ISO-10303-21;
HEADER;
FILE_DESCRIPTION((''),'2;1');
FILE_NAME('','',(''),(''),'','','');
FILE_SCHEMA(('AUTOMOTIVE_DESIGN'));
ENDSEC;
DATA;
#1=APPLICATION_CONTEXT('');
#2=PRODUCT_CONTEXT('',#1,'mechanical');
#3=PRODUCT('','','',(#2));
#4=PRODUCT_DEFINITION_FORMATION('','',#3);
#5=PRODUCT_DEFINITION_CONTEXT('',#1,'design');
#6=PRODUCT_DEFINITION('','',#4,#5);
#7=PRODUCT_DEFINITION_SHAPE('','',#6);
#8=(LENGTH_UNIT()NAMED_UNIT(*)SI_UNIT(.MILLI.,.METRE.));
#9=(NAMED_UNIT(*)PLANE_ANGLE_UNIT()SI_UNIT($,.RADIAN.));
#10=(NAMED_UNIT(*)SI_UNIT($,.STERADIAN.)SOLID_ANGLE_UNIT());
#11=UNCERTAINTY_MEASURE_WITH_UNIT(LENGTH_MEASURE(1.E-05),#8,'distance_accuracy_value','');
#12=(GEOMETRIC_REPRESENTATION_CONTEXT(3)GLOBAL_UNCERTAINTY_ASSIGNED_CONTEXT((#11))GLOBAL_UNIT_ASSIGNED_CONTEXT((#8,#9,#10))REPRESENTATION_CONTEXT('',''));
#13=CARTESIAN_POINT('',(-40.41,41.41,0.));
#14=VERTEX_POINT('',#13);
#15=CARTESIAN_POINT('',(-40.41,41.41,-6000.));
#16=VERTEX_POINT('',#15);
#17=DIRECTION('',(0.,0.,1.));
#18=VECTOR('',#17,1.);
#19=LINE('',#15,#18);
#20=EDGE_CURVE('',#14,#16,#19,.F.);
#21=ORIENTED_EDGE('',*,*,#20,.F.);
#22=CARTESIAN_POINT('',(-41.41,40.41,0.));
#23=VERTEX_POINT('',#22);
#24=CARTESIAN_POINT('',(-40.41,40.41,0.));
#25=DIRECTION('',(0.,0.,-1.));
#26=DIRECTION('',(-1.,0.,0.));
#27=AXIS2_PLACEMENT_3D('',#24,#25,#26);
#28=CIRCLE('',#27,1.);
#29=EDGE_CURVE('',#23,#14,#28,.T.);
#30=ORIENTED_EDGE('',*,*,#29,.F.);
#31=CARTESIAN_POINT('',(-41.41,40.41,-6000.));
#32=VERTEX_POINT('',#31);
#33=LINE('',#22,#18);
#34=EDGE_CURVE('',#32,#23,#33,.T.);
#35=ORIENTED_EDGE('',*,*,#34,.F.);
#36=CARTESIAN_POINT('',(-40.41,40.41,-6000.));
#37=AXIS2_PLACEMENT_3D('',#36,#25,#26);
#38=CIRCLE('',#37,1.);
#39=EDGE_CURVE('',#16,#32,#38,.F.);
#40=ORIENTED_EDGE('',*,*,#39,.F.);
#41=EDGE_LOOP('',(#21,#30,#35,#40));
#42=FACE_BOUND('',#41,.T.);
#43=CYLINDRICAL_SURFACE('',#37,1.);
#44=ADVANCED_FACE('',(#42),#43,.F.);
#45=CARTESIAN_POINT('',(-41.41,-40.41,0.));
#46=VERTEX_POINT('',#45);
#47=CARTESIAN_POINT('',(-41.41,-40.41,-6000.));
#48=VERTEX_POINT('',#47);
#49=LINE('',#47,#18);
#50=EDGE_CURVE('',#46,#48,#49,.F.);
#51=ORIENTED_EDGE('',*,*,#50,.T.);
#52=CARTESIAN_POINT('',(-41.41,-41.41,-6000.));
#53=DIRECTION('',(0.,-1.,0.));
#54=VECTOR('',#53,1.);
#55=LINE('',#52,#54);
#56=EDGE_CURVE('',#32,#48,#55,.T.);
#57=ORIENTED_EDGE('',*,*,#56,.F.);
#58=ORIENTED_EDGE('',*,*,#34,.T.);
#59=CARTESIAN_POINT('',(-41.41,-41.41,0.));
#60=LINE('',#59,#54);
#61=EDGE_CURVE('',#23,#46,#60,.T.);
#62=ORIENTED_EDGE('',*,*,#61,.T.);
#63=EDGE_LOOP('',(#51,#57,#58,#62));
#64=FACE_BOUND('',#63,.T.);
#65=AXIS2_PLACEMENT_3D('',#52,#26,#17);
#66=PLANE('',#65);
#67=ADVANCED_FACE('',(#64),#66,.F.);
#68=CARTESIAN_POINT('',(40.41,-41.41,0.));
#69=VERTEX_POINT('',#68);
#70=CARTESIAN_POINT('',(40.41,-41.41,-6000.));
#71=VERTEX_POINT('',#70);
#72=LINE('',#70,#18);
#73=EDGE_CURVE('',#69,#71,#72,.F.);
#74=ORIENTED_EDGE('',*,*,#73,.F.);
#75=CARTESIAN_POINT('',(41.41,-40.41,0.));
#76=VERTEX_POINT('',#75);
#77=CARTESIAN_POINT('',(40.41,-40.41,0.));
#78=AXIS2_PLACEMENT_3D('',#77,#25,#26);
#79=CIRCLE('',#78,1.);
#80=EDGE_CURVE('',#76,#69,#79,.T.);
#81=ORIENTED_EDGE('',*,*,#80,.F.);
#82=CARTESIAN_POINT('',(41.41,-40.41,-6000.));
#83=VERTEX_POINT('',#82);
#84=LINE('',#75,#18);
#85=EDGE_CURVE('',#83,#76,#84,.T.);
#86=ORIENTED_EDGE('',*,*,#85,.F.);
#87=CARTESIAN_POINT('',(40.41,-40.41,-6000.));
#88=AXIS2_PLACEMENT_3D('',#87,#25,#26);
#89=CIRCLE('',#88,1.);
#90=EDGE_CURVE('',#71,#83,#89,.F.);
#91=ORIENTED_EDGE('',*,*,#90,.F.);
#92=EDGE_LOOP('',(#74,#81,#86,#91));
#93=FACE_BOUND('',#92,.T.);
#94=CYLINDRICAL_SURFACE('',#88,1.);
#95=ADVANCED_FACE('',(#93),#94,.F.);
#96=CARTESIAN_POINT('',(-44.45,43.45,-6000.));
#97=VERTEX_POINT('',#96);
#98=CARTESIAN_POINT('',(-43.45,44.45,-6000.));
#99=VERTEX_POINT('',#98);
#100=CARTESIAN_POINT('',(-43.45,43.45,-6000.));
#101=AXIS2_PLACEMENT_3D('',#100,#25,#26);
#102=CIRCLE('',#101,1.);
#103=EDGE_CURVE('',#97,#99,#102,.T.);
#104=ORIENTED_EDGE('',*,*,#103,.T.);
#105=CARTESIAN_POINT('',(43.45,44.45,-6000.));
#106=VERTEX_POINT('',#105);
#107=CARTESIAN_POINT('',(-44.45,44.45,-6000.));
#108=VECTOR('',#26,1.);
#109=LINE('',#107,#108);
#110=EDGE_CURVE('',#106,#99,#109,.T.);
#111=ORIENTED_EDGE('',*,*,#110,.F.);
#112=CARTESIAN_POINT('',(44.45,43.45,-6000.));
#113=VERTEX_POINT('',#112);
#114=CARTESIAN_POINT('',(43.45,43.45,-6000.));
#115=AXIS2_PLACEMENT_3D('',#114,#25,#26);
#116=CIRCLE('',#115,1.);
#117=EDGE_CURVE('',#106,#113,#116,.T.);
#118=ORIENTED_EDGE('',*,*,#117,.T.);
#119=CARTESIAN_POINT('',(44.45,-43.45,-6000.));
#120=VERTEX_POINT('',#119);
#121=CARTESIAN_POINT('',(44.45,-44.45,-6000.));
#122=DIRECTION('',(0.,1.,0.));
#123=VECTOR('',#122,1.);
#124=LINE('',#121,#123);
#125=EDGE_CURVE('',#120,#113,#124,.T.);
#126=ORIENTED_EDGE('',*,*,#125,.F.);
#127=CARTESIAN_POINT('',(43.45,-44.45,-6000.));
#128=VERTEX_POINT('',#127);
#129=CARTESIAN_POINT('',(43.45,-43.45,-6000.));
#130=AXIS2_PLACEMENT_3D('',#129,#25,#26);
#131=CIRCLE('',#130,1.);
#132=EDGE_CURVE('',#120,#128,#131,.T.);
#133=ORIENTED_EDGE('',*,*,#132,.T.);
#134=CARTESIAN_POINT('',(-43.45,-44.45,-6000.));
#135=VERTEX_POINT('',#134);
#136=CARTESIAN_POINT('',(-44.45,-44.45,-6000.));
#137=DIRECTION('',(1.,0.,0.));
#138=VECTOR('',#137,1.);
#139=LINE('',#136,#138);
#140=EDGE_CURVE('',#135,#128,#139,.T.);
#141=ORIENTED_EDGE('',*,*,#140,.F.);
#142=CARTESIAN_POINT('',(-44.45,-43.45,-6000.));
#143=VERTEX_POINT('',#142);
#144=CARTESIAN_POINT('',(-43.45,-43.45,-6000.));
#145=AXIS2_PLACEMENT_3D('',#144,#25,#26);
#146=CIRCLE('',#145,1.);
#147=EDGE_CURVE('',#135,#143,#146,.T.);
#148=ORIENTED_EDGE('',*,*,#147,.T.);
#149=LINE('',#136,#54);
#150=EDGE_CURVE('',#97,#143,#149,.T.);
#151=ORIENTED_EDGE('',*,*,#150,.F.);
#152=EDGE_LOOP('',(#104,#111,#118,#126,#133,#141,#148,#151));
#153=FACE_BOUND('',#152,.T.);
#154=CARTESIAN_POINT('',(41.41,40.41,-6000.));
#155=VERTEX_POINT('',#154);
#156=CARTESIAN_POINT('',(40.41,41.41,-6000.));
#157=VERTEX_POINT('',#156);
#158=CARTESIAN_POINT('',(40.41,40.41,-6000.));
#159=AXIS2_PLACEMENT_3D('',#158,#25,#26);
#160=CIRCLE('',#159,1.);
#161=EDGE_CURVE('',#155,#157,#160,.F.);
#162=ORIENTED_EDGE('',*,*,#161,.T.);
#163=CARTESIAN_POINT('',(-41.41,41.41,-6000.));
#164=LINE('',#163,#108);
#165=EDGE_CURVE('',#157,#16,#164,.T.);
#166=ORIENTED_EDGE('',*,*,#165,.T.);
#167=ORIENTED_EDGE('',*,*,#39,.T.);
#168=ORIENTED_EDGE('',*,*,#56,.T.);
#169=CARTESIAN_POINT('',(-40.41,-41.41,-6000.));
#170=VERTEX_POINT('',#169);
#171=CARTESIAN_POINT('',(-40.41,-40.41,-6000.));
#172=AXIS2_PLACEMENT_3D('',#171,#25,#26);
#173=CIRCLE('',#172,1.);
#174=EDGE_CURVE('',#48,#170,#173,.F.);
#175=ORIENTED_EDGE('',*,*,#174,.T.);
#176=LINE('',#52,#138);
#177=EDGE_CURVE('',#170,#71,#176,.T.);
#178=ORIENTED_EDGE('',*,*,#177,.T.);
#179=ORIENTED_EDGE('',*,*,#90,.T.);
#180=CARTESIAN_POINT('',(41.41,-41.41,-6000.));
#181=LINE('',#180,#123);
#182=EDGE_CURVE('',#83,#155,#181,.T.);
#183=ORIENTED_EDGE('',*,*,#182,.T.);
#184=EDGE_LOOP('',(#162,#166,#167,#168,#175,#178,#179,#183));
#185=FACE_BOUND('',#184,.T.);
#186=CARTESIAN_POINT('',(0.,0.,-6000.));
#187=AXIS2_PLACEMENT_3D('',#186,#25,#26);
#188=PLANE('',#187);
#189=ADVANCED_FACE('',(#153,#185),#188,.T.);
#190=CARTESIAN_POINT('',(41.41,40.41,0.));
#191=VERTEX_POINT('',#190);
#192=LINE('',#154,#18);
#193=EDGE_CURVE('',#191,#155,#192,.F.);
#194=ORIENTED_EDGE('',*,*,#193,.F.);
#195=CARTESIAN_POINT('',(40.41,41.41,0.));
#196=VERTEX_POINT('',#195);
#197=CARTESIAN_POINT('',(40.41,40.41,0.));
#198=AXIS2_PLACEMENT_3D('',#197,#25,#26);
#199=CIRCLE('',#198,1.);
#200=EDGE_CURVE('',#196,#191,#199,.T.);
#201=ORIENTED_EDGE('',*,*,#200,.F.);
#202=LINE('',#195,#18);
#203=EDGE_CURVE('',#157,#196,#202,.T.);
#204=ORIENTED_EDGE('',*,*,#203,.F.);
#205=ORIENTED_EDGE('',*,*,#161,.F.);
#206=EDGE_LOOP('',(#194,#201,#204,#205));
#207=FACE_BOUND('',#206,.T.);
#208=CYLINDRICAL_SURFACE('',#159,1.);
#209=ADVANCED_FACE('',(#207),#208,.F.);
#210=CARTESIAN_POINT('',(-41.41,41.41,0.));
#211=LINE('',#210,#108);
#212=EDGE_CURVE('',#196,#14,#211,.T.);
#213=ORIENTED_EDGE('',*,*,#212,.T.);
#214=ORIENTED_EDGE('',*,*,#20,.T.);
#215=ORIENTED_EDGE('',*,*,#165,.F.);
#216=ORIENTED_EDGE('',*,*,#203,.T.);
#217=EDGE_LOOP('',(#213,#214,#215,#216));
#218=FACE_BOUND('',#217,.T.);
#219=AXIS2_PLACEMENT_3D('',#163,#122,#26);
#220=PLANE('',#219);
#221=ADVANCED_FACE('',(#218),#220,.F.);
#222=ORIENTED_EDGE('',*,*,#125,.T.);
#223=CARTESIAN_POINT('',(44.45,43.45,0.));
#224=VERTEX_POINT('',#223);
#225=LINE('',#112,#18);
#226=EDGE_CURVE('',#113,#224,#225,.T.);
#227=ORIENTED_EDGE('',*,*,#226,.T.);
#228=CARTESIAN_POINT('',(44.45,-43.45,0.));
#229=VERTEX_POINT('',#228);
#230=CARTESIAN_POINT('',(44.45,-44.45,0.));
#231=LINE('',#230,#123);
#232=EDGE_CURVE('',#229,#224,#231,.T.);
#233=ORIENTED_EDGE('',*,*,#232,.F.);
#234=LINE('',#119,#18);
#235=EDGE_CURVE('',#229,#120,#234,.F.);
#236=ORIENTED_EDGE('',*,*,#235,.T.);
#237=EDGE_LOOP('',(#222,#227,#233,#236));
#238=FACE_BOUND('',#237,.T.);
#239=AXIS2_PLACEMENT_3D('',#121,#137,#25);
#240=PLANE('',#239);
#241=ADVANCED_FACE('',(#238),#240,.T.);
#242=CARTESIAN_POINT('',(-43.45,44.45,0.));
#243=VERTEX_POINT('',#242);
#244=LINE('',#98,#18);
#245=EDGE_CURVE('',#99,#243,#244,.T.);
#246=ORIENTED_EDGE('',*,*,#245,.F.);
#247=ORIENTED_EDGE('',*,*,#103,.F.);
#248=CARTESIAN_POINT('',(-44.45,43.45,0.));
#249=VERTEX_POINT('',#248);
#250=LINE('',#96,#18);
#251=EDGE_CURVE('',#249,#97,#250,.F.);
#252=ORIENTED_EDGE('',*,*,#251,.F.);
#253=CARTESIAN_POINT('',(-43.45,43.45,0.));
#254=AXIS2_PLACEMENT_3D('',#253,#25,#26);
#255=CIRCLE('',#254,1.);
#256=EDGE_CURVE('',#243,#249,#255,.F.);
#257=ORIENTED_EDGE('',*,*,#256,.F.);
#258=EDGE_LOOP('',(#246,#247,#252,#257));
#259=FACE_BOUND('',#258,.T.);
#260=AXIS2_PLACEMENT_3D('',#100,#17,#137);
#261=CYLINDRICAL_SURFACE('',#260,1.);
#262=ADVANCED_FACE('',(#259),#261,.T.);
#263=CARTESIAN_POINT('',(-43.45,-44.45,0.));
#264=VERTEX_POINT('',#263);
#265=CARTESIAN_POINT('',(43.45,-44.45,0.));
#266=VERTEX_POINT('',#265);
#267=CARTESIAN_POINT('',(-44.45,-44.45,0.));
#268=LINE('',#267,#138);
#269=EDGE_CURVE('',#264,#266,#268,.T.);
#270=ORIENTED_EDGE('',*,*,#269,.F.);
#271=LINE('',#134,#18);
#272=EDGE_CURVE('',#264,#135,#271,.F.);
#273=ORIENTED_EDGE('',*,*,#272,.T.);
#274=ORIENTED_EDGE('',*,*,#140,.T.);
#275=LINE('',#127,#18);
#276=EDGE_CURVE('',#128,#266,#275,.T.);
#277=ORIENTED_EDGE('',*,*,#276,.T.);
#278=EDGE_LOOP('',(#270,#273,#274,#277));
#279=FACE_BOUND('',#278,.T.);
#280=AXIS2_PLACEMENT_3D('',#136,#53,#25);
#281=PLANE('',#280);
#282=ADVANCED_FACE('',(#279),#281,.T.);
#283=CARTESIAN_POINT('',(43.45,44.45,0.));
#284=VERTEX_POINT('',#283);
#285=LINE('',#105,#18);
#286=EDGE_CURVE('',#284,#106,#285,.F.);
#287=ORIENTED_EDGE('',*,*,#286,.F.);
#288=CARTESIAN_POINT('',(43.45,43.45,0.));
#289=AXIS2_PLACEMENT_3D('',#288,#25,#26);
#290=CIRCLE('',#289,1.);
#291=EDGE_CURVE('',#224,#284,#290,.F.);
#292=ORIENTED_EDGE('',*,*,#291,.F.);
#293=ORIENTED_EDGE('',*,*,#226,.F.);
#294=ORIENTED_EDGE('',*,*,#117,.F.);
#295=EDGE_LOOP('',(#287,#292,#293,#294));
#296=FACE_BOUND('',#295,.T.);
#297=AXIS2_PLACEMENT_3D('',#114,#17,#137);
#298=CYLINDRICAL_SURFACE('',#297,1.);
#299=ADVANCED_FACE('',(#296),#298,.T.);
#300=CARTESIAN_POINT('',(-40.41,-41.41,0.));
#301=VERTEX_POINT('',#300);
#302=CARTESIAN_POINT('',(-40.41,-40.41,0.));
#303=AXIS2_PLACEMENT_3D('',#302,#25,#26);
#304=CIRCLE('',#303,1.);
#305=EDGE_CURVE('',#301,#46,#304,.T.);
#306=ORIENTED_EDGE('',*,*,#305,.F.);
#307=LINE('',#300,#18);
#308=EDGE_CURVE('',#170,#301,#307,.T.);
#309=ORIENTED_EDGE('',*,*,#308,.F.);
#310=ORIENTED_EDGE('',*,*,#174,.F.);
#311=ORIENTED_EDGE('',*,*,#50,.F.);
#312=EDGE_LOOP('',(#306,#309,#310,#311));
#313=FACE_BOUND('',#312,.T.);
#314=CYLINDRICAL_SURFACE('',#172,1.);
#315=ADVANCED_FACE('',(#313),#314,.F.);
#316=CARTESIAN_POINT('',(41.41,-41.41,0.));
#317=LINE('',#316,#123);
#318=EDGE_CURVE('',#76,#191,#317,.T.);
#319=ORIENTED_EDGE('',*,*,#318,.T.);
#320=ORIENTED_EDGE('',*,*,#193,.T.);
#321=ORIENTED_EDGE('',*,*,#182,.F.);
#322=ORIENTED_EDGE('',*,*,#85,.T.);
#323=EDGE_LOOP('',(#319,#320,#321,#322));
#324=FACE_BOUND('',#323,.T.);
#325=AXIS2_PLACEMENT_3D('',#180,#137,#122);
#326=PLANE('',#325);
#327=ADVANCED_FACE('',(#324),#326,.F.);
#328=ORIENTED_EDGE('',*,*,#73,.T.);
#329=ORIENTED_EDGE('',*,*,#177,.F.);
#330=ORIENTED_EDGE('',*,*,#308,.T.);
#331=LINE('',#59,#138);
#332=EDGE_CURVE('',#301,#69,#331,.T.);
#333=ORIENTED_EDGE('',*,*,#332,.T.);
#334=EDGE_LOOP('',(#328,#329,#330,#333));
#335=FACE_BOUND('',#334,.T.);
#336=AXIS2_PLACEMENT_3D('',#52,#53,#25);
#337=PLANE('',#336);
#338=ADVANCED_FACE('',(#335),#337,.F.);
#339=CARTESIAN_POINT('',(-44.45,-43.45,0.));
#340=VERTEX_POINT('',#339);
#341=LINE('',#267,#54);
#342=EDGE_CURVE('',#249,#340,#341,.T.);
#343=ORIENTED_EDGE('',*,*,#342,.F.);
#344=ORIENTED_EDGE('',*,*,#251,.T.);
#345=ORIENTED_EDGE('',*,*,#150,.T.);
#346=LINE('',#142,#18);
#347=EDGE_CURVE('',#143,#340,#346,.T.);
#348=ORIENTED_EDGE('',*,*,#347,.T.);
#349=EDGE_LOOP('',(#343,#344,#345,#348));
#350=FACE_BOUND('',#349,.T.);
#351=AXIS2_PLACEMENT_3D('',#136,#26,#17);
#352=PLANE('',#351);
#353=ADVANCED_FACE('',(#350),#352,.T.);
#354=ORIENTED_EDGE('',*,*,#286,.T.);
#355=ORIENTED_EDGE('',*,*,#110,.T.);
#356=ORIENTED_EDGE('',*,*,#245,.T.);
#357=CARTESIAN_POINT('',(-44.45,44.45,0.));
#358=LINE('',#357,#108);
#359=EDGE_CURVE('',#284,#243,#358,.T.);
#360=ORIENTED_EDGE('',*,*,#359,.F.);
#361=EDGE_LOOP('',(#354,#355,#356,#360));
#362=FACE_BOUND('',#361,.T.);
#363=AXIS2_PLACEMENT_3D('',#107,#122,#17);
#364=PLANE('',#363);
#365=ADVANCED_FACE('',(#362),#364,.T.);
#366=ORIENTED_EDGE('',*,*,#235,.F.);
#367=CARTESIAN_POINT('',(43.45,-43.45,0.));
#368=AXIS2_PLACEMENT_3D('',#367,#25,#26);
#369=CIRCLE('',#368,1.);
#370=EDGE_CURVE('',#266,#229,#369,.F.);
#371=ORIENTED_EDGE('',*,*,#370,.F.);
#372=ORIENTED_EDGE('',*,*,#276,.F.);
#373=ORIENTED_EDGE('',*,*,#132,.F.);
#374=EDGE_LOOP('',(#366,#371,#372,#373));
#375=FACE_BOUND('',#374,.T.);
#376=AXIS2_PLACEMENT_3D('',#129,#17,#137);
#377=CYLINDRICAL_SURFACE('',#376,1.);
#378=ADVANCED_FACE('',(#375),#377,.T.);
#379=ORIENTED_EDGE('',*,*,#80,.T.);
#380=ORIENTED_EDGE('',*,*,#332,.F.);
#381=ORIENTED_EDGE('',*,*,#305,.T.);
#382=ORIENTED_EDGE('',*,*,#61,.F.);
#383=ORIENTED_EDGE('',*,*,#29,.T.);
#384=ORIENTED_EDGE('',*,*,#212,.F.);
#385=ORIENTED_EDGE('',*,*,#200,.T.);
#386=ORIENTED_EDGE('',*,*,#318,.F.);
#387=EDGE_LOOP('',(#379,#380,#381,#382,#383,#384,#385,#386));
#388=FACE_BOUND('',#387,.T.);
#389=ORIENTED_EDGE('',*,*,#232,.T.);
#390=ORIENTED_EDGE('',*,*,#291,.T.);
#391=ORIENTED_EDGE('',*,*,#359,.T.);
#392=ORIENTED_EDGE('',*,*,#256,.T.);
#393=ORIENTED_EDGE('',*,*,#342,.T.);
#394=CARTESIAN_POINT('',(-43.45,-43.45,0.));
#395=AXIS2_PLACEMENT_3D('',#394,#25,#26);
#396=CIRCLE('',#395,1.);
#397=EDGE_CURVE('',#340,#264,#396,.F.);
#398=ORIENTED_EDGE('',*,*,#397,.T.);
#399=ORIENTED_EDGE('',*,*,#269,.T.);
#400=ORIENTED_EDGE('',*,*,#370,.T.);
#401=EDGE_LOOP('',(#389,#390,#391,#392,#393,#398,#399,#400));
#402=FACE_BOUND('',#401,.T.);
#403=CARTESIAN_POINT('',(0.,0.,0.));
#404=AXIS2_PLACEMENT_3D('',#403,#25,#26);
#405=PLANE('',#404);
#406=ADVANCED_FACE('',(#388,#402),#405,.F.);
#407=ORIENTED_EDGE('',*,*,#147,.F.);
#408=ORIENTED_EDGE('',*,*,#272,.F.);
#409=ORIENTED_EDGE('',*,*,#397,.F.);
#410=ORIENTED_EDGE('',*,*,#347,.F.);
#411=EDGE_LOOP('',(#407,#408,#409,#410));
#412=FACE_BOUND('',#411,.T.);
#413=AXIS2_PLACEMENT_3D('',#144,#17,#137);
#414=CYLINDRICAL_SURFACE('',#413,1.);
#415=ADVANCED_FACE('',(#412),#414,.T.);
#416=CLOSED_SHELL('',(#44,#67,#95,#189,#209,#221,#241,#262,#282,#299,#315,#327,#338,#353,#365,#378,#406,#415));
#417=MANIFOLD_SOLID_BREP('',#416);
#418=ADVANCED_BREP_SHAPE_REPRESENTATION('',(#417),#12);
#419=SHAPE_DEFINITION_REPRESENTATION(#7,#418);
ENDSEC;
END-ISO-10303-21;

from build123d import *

# Parameters (mm, degrees)
CROQUIS1_W              = 88.9
CROQUIS1_H              = 88.9
CROQUIS1_W_2            = 82.82
CROQUIS1_H_2            = 82.82
SALIENTE_EXTRUIR1_DEPTH = 6000
REDONDEO1_R             = 1


with BuildPart() as part:
    # Croquis1 → Saliente-Extruir1 (new body)
    with BuildSketch(Plane.XY):
        Rectangle(CROQUIS1_W, CROQUIS1_H)
        Rectangle(CROQUIS1_W_2, CROQUIS1_H_2, mode=Mode.SUBTRACT)
    extrude(amount=-SALIENTE_EXTRUIR1_DEPTH)

    # Redondeo1
    redondeo1_edges = [part.edges().sort_by_distance(p)[0] for p in [
        (41.41, -41.41, -3000),
        (-41.41, -41.41, -3000),
        (-41.41, 41.41, -3000),
        (41.41, 41.41, -3000),
        (44.45, -44.45, -3000),
        (-44.45, -44.45, -3000),
        (-44.45, 44.45, -3000),
        (44.45, 44.45, -3000),
    ]]
    fillet(redondeo1_edges, radius=REDONDEO1_R)


solid = part.part
